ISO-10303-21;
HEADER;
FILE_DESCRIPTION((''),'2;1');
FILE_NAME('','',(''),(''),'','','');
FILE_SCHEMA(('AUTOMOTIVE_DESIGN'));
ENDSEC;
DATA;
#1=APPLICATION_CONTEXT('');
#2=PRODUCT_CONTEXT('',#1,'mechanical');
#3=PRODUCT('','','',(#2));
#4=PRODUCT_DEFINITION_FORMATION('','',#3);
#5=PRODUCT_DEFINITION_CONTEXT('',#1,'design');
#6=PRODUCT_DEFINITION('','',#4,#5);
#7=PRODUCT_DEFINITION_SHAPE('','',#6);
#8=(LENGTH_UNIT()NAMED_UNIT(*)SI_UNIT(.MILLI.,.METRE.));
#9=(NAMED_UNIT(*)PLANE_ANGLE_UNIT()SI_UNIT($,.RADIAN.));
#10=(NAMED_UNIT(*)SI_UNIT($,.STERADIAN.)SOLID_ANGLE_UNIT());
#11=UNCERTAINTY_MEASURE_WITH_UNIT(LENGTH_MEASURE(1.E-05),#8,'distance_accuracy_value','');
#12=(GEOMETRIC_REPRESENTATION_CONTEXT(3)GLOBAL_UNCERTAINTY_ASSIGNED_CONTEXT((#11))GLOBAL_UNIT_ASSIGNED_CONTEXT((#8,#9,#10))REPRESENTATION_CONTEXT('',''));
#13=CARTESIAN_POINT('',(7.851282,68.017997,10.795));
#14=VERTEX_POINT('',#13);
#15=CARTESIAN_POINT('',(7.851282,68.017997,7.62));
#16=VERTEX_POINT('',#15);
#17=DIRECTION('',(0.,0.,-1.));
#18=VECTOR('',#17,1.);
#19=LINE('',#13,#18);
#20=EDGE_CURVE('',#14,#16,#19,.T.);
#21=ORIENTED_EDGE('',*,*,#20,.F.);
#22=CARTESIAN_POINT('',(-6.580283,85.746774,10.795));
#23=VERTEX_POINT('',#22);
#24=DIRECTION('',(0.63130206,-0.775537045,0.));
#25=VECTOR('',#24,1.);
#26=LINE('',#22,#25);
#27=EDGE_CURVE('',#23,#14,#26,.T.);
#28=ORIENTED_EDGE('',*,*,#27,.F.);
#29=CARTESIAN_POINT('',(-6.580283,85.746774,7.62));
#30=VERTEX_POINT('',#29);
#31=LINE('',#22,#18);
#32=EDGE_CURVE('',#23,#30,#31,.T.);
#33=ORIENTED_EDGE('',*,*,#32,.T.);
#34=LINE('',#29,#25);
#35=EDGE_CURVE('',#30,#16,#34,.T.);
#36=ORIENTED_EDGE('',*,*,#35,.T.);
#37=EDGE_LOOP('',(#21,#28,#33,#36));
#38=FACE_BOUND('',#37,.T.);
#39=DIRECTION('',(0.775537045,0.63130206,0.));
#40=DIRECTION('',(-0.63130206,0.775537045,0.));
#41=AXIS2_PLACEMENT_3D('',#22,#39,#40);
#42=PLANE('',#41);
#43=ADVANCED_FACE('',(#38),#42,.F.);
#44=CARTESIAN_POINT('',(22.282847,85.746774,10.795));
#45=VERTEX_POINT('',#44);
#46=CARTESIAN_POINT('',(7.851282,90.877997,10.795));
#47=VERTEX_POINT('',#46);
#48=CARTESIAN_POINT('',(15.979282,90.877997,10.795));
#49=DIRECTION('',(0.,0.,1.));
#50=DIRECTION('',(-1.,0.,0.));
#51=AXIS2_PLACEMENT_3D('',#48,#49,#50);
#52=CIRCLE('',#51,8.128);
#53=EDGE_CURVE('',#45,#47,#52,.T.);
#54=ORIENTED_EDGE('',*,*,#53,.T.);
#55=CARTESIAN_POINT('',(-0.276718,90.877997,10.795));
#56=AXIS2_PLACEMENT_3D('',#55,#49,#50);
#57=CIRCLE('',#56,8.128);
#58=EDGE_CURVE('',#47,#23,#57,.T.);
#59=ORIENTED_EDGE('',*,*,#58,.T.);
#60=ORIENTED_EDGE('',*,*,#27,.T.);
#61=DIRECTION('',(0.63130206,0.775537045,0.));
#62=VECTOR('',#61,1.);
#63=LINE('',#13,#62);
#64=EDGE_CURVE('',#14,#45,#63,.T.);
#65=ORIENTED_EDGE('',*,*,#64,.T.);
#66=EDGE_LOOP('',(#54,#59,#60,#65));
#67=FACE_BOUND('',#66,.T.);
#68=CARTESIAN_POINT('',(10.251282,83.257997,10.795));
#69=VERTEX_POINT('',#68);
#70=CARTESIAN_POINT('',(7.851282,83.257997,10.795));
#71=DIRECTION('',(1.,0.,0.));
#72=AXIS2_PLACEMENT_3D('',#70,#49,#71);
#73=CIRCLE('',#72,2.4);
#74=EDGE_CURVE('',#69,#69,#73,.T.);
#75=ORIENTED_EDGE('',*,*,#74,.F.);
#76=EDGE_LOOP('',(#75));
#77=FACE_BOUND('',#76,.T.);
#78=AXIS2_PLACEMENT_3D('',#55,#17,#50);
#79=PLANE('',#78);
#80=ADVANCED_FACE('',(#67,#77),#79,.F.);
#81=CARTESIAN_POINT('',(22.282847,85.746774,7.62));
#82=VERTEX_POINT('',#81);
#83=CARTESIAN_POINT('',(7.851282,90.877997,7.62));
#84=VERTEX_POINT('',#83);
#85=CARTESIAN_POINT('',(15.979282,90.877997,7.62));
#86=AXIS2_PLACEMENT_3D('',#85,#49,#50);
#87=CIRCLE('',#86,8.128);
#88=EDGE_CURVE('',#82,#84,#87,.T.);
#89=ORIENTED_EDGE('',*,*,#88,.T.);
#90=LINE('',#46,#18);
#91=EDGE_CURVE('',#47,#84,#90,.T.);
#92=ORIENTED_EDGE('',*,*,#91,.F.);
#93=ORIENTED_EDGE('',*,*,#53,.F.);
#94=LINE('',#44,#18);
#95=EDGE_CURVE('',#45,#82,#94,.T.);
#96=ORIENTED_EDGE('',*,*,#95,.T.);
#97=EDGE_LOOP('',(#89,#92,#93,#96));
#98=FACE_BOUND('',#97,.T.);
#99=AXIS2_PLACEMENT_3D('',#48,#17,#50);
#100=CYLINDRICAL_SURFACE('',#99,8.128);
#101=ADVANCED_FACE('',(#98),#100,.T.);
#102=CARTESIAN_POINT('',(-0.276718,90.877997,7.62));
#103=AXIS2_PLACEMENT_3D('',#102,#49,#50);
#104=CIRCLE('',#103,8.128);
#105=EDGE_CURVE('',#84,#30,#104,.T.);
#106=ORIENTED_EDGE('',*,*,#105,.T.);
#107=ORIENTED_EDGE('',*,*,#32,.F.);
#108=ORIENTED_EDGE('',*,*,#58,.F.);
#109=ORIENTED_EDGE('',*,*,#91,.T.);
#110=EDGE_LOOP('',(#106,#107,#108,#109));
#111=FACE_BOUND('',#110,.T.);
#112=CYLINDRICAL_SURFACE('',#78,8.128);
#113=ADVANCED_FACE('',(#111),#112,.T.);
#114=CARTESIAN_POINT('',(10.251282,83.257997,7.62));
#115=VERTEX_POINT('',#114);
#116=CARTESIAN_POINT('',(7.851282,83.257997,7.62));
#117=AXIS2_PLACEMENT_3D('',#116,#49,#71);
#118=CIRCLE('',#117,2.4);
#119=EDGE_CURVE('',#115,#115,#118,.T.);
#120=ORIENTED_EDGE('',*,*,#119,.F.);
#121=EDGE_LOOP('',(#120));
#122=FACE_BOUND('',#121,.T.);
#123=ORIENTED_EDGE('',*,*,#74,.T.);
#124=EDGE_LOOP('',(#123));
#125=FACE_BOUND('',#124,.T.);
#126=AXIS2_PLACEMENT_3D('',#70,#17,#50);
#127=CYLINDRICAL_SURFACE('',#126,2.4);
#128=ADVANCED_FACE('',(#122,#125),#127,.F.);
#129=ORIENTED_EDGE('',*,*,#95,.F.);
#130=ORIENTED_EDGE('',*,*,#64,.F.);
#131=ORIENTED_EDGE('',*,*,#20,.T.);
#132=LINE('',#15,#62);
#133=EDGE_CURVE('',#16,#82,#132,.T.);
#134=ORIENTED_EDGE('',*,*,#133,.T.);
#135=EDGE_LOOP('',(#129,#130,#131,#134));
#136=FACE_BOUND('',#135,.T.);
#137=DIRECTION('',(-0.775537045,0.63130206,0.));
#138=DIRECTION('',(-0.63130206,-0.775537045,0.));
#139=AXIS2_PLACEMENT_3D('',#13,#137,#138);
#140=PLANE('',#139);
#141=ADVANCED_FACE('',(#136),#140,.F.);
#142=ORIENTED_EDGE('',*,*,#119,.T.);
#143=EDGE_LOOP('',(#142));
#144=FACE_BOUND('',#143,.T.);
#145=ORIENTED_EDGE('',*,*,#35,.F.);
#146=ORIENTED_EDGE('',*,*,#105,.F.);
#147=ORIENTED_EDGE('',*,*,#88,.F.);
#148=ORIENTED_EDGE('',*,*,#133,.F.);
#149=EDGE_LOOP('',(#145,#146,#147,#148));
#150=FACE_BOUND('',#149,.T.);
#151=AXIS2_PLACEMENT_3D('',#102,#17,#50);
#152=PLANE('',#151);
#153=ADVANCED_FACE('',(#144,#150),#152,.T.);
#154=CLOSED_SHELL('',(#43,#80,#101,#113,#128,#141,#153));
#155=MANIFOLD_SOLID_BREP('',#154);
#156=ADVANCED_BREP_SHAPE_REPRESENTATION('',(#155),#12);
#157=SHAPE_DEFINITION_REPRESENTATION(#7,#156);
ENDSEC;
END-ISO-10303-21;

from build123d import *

# Parameters (mm, degrees)
BOSS_EXTRUDE1_START = 7.62
SKETCH1_R           = 2.4
BOSS_EXTRUDE1_DEPTH = 3.175


with BuildPart() as part:
    # Sketch1 → Boss-Extrude1 (new body)
    with BuildSketch(Plane.XY.offset(BOSS_EXTRUDE1_START)):
        with BuildLine():
            Line((-6.580283468, 85.746774073), (7.851281635, 68.017997221))
            Line((7.851281635, 68.017997221), (22.282846738, 85.746774073))
            ThreePointArc((22.282846738, 85.746774073), (18.702240214, 98.536318224), (7.851281635, 90.877997221))
            ThreePointArc((7.851281635, 90.877997221), (-2.999676943, 98.536318224), (-6.580283468, 85.746774073))
        make_face()
        with Locations((7.851281635, 83.257997221)):
            Circle(SKETCH1_R, mode=Mode.SUBTRACT)
    extrude(amount=BOSS_EXTRUDE1_DEPTH)


solid = part.part
